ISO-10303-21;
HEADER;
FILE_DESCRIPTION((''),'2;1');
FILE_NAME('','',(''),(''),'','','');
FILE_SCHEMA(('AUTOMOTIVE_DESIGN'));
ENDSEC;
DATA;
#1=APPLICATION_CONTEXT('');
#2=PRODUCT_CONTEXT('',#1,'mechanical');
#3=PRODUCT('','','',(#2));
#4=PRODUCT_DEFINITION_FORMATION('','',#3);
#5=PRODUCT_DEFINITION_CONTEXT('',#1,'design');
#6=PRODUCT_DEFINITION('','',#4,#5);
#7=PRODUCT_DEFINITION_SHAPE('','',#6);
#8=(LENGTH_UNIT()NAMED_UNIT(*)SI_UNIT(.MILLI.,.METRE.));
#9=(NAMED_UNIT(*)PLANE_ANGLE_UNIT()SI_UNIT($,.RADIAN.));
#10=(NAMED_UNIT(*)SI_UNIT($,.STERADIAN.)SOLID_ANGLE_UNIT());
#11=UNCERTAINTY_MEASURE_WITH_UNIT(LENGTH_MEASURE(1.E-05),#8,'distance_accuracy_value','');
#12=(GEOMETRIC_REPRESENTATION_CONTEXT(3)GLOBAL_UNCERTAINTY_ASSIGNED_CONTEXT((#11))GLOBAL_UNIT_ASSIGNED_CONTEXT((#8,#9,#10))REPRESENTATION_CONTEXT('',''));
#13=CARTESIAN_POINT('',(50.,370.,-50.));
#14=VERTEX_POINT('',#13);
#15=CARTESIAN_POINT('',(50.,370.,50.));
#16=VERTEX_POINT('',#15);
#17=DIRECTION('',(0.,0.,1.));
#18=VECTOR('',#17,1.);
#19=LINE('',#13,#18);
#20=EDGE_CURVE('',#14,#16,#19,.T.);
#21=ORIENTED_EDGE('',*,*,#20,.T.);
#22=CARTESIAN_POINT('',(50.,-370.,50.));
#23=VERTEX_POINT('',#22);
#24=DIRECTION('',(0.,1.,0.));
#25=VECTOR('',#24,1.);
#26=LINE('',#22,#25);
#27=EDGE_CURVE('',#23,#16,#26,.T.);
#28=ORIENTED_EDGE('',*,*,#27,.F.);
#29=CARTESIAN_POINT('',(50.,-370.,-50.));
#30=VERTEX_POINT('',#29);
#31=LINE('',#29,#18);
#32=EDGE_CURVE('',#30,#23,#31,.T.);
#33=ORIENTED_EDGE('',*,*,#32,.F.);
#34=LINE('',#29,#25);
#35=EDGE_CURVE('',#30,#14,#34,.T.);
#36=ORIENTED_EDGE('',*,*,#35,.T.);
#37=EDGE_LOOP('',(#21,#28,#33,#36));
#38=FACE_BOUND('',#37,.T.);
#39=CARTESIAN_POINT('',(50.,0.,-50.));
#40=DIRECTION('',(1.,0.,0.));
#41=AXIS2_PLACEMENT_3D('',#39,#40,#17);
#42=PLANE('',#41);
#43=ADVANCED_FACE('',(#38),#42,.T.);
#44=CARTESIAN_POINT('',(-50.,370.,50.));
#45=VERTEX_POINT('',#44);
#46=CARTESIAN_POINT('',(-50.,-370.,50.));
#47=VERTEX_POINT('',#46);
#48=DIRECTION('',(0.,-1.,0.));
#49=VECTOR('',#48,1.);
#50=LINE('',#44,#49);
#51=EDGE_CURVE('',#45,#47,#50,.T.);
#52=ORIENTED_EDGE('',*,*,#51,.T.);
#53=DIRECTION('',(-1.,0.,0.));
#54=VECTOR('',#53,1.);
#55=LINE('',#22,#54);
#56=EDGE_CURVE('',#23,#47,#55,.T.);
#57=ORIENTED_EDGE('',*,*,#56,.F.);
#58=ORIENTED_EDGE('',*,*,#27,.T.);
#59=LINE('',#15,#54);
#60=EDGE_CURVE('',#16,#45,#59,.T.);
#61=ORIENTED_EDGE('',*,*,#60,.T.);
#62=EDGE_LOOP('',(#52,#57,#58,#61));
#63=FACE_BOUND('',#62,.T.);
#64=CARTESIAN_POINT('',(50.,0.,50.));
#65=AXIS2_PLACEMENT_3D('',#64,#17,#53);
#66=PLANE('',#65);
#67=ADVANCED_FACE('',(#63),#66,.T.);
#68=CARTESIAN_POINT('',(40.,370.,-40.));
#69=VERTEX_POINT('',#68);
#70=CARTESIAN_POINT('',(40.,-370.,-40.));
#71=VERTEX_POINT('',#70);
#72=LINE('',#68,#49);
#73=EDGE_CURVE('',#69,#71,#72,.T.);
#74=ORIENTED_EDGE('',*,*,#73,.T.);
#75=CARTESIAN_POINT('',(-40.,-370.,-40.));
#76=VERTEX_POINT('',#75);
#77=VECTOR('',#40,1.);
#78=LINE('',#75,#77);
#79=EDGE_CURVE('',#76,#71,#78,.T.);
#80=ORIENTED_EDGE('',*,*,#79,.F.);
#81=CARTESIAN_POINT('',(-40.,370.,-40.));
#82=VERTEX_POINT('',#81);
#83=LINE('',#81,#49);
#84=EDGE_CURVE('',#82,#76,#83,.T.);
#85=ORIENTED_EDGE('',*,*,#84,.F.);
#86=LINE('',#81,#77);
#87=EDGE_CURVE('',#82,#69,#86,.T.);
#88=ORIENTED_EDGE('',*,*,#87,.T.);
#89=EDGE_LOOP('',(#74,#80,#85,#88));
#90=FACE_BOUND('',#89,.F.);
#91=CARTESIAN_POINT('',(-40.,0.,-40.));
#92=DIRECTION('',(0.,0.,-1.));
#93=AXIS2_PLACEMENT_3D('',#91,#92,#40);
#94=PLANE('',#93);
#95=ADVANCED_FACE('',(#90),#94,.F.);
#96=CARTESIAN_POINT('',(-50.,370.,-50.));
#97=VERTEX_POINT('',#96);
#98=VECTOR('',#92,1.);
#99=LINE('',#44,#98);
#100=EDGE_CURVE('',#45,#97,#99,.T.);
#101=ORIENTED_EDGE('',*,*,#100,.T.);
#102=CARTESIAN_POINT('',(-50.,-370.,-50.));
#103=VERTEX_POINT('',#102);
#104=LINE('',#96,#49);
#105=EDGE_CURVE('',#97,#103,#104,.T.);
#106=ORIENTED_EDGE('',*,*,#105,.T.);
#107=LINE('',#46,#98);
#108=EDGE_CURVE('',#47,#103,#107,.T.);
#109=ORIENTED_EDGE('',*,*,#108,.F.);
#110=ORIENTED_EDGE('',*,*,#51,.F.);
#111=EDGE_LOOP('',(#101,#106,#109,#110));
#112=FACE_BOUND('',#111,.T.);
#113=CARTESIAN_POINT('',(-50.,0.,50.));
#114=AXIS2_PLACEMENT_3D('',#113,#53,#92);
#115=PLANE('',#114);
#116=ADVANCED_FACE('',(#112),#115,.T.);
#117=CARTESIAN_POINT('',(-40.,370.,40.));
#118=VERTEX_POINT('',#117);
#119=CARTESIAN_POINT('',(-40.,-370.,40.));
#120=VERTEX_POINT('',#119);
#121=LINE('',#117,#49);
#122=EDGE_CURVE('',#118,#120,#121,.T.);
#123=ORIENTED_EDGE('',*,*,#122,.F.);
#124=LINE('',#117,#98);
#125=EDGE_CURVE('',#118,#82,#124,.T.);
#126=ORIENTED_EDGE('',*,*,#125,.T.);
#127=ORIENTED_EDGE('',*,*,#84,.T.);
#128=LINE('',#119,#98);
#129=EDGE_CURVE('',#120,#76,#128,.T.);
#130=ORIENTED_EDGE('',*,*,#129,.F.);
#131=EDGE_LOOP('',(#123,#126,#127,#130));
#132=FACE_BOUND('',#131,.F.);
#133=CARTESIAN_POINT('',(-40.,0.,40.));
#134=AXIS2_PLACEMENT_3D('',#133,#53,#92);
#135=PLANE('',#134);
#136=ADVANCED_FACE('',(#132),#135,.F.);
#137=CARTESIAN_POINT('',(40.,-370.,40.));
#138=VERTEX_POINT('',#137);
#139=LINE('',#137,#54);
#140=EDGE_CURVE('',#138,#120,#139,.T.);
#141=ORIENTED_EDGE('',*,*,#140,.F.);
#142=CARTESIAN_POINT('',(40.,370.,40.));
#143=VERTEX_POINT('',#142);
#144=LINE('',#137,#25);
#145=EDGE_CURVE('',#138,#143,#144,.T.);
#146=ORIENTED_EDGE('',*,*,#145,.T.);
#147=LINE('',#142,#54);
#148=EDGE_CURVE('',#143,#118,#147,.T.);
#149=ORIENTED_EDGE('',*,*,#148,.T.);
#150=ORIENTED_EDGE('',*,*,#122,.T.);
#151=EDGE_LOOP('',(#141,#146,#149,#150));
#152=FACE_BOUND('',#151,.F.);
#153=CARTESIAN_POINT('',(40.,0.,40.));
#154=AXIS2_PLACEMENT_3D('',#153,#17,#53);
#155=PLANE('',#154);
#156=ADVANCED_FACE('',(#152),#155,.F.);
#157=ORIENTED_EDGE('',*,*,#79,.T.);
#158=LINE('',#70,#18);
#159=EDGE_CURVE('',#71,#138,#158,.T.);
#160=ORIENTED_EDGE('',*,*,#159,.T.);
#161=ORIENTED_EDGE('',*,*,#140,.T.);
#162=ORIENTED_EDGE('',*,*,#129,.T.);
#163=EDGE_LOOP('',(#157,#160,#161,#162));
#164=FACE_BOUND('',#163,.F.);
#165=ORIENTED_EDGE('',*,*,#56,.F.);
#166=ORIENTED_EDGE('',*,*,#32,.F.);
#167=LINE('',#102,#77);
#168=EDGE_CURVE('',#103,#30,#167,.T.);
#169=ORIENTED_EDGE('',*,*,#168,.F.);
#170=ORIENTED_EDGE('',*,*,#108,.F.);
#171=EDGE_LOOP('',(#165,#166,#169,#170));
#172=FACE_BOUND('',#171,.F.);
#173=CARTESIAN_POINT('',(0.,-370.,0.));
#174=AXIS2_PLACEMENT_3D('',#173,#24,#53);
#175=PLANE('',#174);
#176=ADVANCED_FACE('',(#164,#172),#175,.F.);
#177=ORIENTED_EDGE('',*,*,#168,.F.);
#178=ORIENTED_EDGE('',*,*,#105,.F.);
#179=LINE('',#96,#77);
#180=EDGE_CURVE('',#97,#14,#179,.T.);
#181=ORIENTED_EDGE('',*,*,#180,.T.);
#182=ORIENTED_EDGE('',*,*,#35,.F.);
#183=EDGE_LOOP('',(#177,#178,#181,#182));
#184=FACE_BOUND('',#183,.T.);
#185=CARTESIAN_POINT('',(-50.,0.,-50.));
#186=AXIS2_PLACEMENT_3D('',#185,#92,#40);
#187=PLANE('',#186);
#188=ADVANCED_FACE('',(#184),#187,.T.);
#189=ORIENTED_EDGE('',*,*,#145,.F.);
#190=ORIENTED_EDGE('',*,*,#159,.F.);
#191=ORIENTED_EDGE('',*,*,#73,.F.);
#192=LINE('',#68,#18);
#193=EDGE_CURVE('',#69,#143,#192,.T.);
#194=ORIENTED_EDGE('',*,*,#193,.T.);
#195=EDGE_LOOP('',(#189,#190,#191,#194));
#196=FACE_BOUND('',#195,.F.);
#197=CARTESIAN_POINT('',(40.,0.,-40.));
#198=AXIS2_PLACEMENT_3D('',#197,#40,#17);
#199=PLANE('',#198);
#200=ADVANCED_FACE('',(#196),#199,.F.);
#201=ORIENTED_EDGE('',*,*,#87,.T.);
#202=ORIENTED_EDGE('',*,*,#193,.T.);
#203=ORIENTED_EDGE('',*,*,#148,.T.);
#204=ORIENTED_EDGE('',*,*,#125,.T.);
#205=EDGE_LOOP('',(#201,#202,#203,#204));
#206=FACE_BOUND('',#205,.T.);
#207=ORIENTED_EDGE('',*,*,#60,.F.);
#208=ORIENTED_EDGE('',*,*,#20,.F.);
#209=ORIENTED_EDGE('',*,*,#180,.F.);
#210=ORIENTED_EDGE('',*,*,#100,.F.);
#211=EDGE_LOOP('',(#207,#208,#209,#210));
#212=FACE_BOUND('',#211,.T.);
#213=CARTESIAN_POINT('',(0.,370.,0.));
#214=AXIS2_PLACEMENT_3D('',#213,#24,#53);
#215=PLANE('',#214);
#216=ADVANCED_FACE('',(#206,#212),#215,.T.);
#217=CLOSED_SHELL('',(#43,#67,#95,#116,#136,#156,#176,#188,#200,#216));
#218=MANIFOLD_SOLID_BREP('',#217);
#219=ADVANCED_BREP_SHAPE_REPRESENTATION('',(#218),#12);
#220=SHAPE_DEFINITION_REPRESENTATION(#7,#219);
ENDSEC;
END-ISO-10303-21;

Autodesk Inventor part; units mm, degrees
sketch "Esboço1" plane through (0, 0, 0) normal (0, 1, 0) x (-1, 0, 0)
  line L0 (-50, 50) -> (50, 50)
  line L1 (50, 50) -> (50, -50)
  line L2 (50, -50) -> (-50, -50)
  line L3 (-50, -50) -> (-50, 50)
  line L4 (-50, 50) -> (50, -50) construction
  line L5 (50, 50) -> (-50, -50) construction
  line L6 (-40, 40) -> (40, 40)
  line L7 (40, 40) -> (40, -40)
  line L8 (40, -40) -> (-40, -40)
  line L9 (-40, -40) -> (-40, 40)
  line L10 (-40, 40) -> (40, -40) construction
  line L11 (40, 40) -> (-40, -40) construction
  point P0 (0, 0)
  dimension "d0" = 100
  dimension "d1" = 10
extrude "Extrusão1" add sketch "Esboço1" along normal mid plane 740
equation "\"Raio_vergadura\" = Espessura"
equation "\"Largura_alívio_de_vergadura\" = Espessura"
equation "\"Profundidade_alívio_de_vergadura\" = 0.5 * Espessura"
equation "\"Tamanho_alívio_de_dobra\" = 4 * Espessura"
equation "\"Remanescente_mínimo\" = 2 * Espessura"
equation "\"Raiodetransição\" = Raio_vergadura"
equation "\"Tamanho_de_raio_de_Jacobi\" = Raio_vergadura"
equation "\"TamanhoFolga\" = Espessura"
equation "\"Espessura\" = 0.5"
properties part number "Perna para Exercício"
